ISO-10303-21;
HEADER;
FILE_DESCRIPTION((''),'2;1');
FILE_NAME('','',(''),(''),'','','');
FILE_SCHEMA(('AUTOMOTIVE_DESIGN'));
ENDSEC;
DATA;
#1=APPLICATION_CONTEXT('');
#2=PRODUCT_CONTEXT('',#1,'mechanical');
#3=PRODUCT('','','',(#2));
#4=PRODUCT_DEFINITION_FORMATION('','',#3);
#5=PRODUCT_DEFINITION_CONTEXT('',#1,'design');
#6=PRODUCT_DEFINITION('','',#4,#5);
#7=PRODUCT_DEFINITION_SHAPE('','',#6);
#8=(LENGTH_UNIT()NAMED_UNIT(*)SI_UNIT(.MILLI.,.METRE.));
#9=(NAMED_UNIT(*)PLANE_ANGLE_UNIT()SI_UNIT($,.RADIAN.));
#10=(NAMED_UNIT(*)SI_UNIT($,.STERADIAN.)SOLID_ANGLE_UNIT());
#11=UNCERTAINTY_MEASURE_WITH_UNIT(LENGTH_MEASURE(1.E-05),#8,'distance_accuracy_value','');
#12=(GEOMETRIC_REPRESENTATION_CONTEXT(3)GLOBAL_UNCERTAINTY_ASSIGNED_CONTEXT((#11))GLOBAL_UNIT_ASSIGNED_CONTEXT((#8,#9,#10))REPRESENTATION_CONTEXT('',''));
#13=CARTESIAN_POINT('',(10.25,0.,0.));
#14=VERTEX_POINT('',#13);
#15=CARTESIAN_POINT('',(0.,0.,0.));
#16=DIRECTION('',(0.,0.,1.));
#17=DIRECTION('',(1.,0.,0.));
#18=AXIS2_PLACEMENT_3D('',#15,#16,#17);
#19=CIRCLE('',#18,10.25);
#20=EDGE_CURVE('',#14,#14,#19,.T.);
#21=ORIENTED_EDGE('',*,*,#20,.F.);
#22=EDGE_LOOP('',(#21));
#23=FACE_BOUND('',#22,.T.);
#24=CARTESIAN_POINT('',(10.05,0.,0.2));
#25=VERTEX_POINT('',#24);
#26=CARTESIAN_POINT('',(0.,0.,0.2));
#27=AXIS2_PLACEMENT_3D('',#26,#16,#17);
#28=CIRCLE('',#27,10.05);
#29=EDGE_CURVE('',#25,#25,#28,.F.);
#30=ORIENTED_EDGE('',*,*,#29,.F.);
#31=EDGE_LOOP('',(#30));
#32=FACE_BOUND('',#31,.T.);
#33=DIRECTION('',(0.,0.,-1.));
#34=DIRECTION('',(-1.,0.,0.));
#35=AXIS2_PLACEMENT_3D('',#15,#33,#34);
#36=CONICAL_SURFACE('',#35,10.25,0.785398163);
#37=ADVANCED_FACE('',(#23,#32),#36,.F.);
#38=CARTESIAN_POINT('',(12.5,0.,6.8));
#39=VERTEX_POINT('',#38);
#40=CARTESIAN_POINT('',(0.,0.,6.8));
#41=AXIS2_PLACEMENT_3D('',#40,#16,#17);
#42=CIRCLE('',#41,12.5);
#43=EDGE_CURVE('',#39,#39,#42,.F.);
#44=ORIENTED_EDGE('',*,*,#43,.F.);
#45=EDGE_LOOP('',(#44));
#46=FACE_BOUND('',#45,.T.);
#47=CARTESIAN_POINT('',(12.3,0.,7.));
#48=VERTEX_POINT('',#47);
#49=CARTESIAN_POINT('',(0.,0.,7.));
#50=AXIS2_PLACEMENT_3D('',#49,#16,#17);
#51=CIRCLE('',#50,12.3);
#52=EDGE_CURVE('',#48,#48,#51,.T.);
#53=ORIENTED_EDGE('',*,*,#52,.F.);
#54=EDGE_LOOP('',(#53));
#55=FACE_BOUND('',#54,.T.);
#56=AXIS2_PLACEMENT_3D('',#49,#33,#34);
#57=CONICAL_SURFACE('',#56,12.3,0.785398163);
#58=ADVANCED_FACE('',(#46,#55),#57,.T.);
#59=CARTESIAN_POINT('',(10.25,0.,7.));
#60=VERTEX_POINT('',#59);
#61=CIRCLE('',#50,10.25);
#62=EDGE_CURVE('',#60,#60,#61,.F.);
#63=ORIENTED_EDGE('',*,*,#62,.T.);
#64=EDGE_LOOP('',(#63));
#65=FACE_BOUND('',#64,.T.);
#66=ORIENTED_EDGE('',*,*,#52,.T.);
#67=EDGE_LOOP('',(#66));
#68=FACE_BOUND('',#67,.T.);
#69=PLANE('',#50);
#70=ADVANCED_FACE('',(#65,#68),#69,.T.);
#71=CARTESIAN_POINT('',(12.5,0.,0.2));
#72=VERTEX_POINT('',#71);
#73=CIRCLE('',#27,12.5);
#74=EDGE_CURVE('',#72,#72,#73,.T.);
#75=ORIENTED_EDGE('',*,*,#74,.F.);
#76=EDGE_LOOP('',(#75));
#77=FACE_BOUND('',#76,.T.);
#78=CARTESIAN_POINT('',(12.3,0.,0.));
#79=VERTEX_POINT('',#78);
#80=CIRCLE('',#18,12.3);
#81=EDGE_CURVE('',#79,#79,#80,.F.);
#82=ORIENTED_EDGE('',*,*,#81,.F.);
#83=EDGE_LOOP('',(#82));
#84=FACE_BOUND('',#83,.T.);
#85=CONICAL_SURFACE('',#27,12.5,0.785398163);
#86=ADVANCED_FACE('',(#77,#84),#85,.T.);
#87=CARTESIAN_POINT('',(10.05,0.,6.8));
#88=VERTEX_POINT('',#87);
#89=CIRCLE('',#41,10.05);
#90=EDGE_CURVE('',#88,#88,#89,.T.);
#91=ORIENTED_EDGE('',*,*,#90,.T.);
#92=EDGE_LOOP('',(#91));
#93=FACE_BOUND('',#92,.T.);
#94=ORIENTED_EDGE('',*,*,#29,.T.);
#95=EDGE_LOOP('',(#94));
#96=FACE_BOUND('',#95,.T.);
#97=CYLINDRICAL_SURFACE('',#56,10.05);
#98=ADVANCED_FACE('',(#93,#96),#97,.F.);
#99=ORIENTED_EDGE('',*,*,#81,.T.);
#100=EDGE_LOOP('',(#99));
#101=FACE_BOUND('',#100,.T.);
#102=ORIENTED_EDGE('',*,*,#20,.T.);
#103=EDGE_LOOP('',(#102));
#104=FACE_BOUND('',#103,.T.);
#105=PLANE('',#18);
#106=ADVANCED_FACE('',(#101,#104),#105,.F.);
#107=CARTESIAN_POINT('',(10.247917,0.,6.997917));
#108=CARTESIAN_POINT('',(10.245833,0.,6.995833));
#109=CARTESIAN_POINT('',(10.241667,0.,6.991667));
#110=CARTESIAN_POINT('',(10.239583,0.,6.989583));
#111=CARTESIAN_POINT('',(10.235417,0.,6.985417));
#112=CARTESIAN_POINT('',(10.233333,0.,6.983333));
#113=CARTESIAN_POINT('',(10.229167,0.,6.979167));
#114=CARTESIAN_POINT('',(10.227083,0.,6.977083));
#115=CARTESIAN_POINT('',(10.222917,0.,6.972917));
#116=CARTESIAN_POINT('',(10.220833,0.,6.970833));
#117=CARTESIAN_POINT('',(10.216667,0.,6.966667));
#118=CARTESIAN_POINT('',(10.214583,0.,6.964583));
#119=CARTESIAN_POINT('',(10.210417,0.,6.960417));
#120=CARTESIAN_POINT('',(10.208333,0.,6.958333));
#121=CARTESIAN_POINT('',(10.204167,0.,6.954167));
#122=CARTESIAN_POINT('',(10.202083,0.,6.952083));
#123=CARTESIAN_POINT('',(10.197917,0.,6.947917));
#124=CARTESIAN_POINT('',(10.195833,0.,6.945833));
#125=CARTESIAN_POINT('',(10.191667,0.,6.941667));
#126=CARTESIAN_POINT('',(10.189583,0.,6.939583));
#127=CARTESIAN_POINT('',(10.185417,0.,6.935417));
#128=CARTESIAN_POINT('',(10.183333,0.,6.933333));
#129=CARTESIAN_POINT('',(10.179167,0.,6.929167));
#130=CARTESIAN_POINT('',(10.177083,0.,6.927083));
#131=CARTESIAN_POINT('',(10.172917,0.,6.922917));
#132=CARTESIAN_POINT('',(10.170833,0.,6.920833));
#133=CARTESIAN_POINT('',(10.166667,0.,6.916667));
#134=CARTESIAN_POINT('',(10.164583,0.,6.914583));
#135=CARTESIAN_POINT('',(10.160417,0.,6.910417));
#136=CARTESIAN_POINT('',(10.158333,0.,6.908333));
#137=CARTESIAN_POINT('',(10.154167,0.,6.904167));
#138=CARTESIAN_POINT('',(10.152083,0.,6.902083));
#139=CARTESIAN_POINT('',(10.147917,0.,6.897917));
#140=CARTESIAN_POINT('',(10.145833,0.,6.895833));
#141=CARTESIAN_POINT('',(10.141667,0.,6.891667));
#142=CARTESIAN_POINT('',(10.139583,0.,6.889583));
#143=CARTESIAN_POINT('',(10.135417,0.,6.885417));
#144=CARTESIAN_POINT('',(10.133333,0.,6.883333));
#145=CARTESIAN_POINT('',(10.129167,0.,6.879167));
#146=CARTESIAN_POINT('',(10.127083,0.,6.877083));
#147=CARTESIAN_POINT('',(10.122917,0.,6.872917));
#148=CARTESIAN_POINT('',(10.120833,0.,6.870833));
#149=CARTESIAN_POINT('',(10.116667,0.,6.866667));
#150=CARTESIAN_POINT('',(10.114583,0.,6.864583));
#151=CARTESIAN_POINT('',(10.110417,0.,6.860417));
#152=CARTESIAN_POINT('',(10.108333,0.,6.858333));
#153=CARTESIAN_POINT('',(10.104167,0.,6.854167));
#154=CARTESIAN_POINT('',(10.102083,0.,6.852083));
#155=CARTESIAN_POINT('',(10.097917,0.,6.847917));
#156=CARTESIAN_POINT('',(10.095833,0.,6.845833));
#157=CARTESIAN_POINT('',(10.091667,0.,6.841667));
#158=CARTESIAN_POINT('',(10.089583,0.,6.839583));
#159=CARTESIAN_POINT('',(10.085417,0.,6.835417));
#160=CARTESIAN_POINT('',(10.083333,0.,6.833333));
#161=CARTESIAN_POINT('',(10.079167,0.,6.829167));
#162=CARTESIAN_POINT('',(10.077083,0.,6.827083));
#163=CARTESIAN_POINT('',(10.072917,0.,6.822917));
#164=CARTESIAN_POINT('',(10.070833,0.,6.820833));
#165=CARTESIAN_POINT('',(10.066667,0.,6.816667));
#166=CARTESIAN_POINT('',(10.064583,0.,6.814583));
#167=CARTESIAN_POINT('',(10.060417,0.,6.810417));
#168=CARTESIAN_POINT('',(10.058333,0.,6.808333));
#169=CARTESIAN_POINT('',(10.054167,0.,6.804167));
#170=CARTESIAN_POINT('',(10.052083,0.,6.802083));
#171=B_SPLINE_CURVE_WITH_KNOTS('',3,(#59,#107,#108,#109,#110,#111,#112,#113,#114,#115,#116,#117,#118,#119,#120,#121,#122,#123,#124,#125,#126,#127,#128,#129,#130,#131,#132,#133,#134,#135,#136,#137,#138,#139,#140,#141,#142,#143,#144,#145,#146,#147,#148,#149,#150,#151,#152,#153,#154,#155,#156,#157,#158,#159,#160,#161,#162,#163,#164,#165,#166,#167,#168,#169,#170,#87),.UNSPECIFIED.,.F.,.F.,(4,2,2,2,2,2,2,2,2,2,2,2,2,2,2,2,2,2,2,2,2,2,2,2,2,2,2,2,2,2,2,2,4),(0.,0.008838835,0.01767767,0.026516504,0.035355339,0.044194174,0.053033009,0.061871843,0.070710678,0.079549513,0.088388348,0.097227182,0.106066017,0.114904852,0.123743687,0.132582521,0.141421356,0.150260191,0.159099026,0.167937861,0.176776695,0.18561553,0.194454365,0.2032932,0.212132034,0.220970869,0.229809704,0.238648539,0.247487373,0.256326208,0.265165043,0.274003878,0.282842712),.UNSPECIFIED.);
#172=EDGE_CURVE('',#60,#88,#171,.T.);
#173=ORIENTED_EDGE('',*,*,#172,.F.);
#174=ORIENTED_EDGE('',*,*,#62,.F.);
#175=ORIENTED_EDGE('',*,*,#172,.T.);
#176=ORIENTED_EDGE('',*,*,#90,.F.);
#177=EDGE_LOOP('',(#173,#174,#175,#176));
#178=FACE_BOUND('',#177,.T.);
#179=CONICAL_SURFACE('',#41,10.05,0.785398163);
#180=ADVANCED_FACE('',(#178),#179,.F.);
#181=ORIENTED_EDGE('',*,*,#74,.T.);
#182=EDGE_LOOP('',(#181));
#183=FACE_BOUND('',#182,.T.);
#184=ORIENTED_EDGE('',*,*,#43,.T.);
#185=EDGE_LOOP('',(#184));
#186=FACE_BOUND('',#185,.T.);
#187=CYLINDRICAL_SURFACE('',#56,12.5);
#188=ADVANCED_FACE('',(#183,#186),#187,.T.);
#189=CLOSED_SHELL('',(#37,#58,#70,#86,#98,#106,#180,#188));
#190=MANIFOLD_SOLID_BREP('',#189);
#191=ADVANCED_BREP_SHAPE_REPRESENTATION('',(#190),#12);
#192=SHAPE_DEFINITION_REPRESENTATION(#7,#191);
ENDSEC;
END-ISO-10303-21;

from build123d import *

# Parameters (mm, degrees)
SKETCH1_R           = 12.5
SKETCH1_R_2         = 10.05
BOSS_EXTRUDE1_DEPTH = 7
CHAMFER1_SIZE       = 0.2


with BuildPart() as part:
    # Sketch1 → Boss-Extrude1 (new body)
    with BuildSketch(Plane.XY):
        Circle(SKETCH1_R)
        Circle(SKETCH1_R_2, mode=Mode.SUBTRACT)
    extrude(amount=BOSS_EXTRUDE1_DEPTH)

    # Chamfer1
    chamfer1_edges = [part.edges().sort_by_distance(p)[0] for p in [
        (-12.5, 0, 0),
        (-12.5, 0, 7),
        (-10.05, 0, 0),
        (-10.05, 0, 7),
    ]]
    chamfer(chamfer1_edges, length=CHAMFER1_SIZE)


solid = part.part
